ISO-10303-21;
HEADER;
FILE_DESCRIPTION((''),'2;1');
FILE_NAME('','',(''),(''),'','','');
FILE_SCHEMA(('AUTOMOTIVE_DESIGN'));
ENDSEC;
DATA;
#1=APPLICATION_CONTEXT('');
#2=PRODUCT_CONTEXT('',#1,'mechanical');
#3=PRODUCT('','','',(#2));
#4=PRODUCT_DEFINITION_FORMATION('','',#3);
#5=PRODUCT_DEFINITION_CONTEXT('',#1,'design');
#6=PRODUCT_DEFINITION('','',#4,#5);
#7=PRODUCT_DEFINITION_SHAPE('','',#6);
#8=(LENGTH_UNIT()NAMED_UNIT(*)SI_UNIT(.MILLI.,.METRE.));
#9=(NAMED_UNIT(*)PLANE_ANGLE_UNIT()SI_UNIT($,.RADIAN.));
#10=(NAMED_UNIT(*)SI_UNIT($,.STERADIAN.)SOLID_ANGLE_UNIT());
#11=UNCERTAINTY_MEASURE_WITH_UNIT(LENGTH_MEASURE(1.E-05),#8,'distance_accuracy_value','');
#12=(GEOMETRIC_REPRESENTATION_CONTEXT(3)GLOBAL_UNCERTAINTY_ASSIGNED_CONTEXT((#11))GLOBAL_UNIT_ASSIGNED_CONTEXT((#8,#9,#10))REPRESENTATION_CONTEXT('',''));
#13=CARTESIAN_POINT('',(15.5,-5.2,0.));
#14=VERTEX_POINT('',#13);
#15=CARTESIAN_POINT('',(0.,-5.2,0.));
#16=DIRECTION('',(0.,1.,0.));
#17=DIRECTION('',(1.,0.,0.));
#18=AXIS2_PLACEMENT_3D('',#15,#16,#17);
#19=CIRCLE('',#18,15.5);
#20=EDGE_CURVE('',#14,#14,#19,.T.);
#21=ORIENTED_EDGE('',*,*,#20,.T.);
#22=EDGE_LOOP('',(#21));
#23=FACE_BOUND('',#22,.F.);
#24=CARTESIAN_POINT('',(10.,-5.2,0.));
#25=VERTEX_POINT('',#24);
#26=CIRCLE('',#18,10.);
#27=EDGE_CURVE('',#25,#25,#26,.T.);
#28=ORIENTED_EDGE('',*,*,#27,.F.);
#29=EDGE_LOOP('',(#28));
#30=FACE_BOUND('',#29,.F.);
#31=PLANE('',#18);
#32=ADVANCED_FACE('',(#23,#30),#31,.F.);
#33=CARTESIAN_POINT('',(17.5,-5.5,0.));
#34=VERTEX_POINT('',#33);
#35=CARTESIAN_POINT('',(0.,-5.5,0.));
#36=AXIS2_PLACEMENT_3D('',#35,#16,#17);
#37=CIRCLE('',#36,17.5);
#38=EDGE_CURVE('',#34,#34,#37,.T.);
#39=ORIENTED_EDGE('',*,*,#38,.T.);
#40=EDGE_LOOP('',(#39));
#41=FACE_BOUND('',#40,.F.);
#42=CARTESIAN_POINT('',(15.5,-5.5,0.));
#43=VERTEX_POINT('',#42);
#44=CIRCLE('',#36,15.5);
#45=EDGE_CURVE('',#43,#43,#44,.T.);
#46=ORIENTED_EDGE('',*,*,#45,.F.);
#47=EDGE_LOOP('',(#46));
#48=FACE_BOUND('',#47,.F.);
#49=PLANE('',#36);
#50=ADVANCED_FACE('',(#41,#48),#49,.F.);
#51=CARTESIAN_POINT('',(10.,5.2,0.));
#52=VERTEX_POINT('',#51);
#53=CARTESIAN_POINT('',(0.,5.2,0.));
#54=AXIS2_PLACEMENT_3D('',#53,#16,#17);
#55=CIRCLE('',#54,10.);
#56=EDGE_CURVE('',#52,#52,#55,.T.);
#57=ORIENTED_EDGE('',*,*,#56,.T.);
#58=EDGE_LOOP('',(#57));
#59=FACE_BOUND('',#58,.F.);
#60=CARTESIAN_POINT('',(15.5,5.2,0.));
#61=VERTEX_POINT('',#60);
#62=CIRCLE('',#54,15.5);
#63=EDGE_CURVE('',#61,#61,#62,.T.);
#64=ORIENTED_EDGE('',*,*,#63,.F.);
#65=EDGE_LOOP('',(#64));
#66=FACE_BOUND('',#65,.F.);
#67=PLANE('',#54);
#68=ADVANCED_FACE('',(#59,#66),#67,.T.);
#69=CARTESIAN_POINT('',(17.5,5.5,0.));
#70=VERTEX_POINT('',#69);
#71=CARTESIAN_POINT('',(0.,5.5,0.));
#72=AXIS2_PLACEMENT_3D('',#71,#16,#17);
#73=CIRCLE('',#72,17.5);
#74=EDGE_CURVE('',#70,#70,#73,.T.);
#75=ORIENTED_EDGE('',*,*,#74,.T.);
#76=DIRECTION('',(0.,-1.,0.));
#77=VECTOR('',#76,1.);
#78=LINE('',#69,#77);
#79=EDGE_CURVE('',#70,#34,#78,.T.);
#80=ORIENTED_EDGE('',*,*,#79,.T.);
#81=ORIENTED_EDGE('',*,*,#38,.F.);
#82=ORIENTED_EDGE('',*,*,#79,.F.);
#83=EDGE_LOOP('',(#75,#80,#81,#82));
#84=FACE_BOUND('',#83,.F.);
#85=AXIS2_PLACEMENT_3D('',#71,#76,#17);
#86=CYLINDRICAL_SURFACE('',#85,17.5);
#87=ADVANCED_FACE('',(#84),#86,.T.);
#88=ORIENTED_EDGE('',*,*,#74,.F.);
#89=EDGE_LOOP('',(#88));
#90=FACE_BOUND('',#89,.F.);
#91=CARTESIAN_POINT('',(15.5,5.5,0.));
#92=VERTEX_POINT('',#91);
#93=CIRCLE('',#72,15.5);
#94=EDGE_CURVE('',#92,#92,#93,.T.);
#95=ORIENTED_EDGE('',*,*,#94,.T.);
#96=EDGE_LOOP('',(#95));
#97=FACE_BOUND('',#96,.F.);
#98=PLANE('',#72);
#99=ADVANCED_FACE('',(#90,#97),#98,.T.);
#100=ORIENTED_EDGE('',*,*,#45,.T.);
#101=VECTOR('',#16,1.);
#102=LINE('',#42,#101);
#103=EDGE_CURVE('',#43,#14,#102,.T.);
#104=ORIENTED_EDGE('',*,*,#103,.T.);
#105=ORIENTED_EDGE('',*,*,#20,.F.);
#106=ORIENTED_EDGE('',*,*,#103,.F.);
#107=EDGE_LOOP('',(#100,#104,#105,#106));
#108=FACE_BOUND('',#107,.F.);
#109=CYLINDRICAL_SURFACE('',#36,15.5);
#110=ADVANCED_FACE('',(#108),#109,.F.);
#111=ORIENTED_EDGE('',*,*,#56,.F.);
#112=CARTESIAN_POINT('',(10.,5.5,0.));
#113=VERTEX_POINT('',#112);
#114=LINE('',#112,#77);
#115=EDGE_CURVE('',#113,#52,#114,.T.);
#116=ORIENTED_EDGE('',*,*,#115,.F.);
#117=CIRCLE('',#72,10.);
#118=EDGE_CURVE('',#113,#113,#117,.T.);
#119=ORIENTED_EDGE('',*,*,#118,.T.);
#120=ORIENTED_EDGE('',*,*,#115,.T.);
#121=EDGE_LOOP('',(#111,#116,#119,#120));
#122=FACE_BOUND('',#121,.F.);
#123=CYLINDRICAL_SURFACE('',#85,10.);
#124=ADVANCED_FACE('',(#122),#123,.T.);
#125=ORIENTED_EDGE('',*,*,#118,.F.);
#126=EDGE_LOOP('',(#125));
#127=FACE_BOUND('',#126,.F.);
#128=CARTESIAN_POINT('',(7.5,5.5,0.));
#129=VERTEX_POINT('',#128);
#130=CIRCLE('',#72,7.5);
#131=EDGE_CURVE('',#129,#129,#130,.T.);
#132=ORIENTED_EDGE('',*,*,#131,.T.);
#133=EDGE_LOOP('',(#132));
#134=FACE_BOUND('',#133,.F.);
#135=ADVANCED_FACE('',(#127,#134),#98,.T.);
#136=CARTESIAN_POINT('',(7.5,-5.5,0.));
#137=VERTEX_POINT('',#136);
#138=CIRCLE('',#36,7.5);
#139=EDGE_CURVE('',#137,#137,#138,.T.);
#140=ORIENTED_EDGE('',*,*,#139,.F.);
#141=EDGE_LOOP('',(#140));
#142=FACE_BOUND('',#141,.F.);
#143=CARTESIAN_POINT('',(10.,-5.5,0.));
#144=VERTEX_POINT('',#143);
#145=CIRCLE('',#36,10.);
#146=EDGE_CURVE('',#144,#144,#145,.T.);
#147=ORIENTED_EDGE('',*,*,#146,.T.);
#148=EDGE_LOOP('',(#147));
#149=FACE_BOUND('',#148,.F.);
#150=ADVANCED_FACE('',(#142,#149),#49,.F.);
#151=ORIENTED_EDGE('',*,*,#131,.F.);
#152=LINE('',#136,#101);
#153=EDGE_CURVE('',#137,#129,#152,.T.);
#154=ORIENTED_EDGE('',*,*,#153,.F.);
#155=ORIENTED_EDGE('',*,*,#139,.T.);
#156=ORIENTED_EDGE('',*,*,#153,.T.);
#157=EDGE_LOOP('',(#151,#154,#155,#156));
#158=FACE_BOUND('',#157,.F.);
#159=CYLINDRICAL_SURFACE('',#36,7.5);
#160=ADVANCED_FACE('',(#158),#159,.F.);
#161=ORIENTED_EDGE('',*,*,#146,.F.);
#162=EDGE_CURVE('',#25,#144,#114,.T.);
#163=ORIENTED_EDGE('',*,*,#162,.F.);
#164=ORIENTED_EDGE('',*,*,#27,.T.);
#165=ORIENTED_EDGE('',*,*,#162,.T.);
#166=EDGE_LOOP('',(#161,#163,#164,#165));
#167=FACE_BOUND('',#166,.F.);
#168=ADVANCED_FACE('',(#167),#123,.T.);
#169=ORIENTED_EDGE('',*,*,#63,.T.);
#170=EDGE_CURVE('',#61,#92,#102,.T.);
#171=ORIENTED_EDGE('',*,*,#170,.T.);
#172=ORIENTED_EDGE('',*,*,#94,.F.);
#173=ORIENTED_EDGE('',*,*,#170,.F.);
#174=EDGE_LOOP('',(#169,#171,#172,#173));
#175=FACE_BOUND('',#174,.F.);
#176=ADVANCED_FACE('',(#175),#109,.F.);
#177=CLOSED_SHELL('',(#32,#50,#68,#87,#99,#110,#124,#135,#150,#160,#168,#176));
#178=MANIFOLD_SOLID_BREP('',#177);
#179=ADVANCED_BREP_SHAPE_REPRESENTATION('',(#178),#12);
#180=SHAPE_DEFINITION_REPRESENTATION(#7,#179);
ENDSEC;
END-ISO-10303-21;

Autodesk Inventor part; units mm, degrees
ref_plane "YZ Plane" through (0, 0, 0) normal (1, 0, 0) x (0, 1, 0)
ref_plane "XZ Plane" through (0, 0, 0) normal (0, 1, 0) x (-1, 0, 0)
ref_plane "XY Plane" through (0, 0, 0) normal (0, 0, 1) x (1, 0, 0)
sketch "Sketch1" plane through (0, 0, 0) normal (0, 0, 1) x (1, 0, 0)
  line L0 (0, 0) -> (0, 10) construction
  line L1 (0, 0) -> (10, 0) construction
  line L2 (7.5, 5.5) -> (10, 5.5)
  line L3 (10, 5.5) -> (10, -5.5)
  line L4 (10, -5.5) -> (7.5, -5.5)
  line L5 (7.5, -5.5) -> (7.5, 5.5)
  line L6 (10, 5.2) -> (15.5, 5.2)
  line L7 (15.5, 5.2) -> (15.5, -5.2)
  line L8 (15.5, -5.2) -> (10, -5.2)
  line L9 (10, -5.2) -> (10, 5.2)
  line L10 (15.5, 5.5) -> (17.5, 5.5)
  line L11 (17.5, 5.5) -> (17.5, -5.5)
  line L12 (17.5, -5.5) -> (15.5, -5.5)
  line L13 (15.5, -5.5) -> (15.5, 5.5)
  dimension "d0" = 10
  dimension "d1" = 90
  dimension "d2" = 2.5
  dimension "d3" = 11
  dimension "d5" = 10.4
  dimension "d6" = 0.3
  dimension "d7" = 5.5
  dimension "d8" = 2
  dimension "d9" = 11
  dimension "d10" = 7.5
  dimension "d11" = 5.5
  dimension "d13" = 17.5
revolve "Revolution1" add sketch "Sketch1" angle 360 about axis through (0, 0, 0) along (0, 1, 0)
equation "\"d5\" = d9 - 2 * d6"
equation "\"d7\" = 0.5 * d3"
equation "\"d9\" = d3"
equation "\"d11\" = d7"
properties part number "6202-2rs_15x35x11" material "Steel"
